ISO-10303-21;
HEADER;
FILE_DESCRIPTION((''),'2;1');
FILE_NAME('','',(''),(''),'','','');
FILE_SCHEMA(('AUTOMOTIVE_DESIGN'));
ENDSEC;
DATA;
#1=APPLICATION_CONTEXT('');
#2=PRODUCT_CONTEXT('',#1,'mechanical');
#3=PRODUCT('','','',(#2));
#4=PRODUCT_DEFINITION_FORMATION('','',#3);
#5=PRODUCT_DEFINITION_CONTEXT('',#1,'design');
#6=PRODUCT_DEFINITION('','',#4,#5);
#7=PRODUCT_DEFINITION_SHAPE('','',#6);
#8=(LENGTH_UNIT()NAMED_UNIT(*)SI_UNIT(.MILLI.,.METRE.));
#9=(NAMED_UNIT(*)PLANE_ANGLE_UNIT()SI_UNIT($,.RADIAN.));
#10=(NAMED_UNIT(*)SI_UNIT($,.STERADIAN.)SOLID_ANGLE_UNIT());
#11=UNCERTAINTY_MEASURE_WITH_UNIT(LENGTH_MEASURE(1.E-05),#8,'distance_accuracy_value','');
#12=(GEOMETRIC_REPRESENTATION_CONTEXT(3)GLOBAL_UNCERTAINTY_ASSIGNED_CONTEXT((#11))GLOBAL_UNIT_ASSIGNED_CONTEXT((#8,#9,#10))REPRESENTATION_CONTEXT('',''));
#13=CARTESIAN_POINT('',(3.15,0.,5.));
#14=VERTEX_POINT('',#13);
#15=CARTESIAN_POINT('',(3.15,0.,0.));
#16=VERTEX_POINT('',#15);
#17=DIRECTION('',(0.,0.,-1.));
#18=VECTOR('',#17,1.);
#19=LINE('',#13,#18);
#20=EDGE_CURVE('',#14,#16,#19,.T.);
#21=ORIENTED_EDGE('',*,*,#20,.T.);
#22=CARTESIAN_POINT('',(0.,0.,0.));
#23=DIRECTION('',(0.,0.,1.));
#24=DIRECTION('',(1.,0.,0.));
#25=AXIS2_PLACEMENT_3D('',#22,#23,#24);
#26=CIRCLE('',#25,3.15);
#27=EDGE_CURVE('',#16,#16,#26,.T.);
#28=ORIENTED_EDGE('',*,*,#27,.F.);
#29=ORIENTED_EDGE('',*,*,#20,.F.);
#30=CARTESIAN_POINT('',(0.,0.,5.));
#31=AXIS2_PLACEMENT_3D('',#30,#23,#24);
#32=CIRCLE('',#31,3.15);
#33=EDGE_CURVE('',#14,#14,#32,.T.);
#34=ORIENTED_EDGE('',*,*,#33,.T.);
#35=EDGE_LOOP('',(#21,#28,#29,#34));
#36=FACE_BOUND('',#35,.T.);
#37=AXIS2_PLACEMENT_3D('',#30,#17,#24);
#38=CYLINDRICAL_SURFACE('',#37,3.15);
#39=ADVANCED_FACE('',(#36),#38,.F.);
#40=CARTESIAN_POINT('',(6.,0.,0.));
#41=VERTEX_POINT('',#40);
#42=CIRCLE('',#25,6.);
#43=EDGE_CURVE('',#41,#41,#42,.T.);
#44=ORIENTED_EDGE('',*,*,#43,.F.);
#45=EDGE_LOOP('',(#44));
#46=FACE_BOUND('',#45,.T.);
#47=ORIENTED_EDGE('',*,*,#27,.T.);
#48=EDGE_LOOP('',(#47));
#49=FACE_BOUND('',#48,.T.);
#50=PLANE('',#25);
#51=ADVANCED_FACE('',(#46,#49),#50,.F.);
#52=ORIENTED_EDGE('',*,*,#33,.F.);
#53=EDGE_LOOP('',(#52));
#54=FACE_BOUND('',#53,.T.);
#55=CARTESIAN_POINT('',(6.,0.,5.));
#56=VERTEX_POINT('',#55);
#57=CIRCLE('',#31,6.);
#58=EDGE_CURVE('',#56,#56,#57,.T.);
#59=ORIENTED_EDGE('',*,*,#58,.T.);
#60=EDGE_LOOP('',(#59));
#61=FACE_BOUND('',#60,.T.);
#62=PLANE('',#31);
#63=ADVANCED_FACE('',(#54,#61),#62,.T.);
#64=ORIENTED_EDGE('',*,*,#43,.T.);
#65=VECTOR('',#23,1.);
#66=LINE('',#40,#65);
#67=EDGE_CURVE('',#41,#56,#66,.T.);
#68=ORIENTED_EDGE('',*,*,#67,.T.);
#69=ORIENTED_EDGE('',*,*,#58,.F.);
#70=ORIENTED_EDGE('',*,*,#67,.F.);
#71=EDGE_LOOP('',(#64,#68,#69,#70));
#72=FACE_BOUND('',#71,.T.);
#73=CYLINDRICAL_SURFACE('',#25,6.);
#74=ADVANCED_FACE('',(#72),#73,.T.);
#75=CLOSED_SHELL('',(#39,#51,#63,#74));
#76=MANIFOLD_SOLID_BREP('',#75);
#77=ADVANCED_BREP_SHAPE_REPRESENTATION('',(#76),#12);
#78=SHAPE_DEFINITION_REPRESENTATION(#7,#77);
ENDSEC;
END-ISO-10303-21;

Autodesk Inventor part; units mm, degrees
ref_plane "YZ Plane" through (0, 0, 0) normal (1, 0, 0) x (0, 1, 0)
ref_plane "XZ Plane" through (0, 0, 0) normal (0, 1, 0) x (-1, 0, 0)
ref_plane "XY Plane" through (0, 0, 0) normal (0, 0, 1) x (1, 0, 0)
sketch "Sketch1" plane through (0, 0, 0) normal (0, 1, 0) x (-1, 0, 0)
  line L0 (0, 0) -> (0, 5)
  line L1 (-3.15, 5) -> (-3.15, 0)
  line L2 (-3.15, 0) -> (-6, 0)
  line L3 (-6, 0) -> (-6, 5)
  line L4 (-6, 5) -> (-3.15, 5)
  dimension "InsideDiameter" = 6.3
  dimension "OuterDiameter" = 12
  dimension "Thickness" = 5
revolve "Revolution1" add sketch "Sketch1" angle 360 about axis through (0, 0, 0) along (0, 0, 1)
properties part number "CC-0612-50B" material "Acetal Resin, Black"
